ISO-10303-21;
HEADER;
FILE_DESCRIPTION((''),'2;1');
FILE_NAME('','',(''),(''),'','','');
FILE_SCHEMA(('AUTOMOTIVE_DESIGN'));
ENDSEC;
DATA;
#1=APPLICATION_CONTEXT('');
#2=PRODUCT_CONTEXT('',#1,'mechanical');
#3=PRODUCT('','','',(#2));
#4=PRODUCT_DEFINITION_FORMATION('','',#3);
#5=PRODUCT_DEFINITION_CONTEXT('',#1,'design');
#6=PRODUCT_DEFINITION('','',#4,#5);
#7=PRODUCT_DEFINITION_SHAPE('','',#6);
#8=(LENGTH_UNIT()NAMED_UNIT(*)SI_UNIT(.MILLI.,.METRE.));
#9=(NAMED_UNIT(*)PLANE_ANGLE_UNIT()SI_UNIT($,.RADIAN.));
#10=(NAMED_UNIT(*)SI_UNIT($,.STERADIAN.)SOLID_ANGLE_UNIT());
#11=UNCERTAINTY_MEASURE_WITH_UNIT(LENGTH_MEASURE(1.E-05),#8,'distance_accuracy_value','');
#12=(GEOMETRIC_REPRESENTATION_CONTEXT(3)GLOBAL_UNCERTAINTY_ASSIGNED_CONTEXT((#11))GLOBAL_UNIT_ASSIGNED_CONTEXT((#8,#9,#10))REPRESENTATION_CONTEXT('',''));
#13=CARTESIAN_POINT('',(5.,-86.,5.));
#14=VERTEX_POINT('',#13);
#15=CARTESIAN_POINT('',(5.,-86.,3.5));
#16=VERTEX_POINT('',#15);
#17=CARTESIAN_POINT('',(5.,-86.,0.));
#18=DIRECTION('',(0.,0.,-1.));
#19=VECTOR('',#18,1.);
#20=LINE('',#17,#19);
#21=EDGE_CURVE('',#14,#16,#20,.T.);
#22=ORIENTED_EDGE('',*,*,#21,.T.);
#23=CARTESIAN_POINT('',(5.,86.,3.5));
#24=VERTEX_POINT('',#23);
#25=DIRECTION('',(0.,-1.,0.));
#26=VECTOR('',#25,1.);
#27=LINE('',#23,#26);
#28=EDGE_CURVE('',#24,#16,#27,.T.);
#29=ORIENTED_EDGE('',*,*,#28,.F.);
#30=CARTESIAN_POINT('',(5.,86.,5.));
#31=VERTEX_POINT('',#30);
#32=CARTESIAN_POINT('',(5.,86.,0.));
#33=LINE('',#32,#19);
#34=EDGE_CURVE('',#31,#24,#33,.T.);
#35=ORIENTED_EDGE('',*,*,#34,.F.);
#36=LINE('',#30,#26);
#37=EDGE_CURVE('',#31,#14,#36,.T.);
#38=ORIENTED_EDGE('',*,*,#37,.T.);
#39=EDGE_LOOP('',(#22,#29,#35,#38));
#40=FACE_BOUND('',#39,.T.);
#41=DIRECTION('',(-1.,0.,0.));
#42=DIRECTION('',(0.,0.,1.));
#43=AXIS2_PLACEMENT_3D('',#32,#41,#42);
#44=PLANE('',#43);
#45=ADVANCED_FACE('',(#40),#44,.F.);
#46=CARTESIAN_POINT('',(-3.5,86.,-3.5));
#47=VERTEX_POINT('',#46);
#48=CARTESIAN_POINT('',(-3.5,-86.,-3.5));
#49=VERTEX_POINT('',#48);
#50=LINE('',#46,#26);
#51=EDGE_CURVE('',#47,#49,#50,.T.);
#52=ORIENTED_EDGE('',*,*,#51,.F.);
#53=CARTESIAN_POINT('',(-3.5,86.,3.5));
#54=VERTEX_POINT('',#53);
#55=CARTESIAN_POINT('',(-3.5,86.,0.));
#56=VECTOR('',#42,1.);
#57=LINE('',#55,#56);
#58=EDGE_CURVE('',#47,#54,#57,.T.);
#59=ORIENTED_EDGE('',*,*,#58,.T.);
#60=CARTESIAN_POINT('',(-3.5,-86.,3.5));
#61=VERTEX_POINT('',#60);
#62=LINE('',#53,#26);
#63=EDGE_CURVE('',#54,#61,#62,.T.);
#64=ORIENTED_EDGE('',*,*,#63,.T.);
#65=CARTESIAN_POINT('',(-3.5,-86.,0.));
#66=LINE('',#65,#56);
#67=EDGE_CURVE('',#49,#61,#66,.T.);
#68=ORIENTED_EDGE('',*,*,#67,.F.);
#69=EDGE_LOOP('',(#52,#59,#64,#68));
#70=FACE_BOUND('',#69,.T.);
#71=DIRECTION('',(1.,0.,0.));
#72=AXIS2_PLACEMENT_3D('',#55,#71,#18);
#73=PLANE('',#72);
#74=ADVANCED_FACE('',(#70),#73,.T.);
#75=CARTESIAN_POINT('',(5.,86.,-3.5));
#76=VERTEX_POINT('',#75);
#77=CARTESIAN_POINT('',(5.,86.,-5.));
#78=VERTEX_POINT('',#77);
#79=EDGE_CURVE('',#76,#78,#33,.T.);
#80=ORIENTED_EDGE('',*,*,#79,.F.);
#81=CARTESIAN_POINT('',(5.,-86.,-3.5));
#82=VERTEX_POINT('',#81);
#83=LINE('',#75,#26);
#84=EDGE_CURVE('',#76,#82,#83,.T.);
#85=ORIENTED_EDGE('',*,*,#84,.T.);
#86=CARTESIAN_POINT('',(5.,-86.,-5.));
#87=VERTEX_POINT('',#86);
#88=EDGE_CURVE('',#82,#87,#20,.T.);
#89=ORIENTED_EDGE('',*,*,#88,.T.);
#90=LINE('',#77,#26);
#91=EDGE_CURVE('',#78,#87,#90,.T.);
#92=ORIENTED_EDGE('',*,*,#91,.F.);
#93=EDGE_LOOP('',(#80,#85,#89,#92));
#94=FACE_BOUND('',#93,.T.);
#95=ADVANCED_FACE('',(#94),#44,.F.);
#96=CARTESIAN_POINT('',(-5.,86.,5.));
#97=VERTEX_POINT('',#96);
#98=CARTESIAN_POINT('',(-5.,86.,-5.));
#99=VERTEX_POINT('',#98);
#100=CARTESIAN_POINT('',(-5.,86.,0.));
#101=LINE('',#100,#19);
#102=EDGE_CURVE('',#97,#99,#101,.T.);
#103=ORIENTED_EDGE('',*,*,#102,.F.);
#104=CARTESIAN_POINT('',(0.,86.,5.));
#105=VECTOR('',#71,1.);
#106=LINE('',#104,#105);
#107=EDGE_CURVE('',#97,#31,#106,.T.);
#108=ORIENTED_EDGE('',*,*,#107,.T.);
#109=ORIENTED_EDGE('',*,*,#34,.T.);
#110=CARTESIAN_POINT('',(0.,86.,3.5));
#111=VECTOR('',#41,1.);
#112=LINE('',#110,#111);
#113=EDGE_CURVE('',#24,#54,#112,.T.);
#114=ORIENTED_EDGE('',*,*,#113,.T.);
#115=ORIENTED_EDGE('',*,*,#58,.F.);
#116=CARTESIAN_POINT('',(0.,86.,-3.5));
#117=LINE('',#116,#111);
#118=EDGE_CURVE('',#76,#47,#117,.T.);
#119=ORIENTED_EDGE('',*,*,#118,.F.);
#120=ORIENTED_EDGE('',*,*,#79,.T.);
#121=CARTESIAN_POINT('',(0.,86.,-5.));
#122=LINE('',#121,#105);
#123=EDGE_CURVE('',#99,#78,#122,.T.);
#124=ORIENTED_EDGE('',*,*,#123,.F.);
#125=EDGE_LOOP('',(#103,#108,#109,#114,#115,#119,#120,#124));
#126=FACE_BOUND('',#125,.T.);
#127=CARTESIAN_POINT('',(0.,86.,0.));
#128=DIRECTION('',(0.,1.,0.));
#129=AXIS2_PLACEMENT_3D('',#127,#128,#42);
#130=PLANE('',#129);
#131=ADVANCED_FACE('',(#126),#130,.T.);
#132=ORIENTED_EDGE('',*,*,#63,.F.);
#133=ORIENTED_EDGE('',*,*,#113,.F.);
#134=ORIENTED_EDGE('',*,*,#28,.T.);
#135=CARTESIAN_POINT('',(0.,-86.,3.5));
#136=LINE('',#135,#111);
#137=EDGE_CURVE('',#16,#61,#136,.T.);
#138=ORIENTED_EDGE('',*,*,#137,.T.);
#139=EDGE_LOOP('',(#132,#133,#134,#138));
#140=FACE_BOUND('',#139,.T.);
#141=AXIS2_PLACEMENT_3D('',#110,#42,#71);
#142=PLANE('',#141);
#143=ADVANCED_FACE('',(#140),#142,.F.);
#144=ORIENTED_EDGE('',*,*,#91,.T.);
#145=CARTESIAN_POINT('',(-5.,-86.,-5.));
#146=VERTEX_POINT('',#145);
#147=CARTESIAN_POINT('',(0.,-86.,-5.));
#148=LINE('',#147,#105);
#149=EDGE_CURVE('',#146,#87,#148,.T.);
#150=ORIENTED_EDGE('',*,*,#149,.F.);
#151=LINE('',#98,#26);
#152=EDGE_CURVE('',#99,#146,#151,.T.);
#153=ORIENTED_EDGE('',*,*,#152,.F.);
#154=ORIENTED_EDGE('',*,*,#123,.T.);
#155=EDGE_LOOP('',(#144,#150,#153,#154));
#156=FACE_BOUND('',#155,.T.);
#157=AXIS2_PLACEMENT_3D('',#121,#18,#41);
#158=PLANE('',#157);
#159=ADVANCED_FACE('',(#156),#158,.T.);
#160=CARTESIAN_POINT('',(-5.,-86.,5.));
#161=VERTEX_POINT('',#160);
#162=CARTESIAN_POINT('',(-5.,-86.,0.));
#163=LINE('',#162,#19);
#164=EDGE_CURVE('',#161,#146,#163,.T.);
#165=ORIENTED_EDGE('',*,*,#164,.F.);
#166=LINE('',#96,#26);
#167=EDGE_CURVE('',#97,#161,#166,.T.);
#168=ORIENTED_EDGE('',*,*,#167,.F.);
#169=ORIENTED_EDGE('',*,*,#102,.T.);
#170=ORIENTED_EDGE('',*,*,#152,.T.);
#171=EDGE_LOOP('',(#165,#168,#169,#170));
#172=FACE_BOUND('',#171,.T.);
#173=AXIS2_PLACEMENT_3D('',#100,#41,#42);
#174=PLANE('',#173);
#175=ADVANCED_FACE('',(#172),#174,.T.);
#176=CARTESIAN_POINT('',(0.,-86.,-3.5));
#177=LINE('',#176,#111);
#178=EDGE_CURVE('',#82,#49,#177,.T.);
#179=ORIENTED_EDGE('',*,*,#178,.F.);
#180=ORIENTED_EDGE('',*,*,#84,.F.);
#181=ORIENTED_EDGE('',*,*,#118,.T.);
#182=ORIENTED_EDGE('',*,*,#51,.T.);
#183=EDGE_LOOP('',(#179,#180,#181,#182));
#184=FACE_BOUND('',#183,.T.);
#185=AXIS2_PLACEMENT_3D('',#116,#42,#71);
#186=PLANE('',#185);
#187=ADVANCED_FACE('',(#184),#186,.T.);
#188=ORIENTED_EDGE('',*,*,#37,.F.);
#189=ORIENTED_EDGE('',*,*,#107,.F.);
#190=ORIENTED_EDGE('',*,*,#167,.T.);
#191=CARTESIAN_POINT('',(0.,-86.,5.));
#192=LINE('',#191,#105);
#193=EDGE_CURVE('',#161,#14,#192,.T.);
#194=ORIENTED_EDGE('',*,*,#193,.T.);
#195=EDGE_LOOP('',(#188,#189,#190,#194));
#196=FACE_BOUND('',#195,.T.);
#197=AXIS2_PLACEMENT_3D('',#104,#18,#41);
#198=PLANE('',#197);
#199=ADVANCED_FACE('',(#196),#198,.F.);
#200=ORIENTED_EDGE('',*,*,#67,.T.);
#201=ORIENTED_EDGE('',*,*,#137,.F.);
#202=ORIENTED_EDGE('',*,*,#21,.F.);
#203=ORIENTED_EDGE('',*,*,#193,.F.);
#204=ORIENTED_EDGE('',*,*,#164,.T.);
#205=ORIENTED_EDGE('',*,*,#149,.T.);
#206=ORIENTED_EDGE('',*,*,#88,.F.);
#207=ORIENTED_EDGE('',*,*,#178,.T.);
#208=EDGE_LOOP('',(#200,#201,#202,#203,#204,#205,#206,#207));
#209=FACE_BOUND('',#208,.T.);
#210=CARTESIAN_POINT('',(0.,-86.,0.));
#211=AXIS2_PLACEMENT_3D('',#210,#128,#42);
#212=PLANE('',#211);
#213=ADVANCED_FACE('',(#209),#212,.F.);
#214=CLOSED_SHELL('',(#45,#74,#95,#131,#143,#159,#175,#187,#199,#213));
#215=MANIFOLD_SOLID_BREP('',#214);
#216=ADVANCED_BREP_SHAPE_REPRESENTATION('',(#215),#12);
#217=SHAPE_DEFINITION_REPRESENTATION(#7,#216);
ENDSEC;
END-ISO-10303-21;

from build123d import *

# Parameters (mm, degrees)
BOSS_EXTRUDE1_DEPTH = 86


with BuildPart() as part:
    # Sketch2 → Boss-Extrude1 (new, symmetric)
    with BuildSketch(Plane(origin=(0, 0, 0), x_dir=(1, 0, 0), z_dir=(0, 1, 0))):
        Polygon((-5, 5), (-5, -5), (5, -5), (5, -3.5), (-3.5, -3.5), (-3.5, 3.5), (5, 3.5), (5, 5), align=None)
    extrude(amount=BOSS_EXTRUDE1_DEPTH, both=True)


solid = part.part
